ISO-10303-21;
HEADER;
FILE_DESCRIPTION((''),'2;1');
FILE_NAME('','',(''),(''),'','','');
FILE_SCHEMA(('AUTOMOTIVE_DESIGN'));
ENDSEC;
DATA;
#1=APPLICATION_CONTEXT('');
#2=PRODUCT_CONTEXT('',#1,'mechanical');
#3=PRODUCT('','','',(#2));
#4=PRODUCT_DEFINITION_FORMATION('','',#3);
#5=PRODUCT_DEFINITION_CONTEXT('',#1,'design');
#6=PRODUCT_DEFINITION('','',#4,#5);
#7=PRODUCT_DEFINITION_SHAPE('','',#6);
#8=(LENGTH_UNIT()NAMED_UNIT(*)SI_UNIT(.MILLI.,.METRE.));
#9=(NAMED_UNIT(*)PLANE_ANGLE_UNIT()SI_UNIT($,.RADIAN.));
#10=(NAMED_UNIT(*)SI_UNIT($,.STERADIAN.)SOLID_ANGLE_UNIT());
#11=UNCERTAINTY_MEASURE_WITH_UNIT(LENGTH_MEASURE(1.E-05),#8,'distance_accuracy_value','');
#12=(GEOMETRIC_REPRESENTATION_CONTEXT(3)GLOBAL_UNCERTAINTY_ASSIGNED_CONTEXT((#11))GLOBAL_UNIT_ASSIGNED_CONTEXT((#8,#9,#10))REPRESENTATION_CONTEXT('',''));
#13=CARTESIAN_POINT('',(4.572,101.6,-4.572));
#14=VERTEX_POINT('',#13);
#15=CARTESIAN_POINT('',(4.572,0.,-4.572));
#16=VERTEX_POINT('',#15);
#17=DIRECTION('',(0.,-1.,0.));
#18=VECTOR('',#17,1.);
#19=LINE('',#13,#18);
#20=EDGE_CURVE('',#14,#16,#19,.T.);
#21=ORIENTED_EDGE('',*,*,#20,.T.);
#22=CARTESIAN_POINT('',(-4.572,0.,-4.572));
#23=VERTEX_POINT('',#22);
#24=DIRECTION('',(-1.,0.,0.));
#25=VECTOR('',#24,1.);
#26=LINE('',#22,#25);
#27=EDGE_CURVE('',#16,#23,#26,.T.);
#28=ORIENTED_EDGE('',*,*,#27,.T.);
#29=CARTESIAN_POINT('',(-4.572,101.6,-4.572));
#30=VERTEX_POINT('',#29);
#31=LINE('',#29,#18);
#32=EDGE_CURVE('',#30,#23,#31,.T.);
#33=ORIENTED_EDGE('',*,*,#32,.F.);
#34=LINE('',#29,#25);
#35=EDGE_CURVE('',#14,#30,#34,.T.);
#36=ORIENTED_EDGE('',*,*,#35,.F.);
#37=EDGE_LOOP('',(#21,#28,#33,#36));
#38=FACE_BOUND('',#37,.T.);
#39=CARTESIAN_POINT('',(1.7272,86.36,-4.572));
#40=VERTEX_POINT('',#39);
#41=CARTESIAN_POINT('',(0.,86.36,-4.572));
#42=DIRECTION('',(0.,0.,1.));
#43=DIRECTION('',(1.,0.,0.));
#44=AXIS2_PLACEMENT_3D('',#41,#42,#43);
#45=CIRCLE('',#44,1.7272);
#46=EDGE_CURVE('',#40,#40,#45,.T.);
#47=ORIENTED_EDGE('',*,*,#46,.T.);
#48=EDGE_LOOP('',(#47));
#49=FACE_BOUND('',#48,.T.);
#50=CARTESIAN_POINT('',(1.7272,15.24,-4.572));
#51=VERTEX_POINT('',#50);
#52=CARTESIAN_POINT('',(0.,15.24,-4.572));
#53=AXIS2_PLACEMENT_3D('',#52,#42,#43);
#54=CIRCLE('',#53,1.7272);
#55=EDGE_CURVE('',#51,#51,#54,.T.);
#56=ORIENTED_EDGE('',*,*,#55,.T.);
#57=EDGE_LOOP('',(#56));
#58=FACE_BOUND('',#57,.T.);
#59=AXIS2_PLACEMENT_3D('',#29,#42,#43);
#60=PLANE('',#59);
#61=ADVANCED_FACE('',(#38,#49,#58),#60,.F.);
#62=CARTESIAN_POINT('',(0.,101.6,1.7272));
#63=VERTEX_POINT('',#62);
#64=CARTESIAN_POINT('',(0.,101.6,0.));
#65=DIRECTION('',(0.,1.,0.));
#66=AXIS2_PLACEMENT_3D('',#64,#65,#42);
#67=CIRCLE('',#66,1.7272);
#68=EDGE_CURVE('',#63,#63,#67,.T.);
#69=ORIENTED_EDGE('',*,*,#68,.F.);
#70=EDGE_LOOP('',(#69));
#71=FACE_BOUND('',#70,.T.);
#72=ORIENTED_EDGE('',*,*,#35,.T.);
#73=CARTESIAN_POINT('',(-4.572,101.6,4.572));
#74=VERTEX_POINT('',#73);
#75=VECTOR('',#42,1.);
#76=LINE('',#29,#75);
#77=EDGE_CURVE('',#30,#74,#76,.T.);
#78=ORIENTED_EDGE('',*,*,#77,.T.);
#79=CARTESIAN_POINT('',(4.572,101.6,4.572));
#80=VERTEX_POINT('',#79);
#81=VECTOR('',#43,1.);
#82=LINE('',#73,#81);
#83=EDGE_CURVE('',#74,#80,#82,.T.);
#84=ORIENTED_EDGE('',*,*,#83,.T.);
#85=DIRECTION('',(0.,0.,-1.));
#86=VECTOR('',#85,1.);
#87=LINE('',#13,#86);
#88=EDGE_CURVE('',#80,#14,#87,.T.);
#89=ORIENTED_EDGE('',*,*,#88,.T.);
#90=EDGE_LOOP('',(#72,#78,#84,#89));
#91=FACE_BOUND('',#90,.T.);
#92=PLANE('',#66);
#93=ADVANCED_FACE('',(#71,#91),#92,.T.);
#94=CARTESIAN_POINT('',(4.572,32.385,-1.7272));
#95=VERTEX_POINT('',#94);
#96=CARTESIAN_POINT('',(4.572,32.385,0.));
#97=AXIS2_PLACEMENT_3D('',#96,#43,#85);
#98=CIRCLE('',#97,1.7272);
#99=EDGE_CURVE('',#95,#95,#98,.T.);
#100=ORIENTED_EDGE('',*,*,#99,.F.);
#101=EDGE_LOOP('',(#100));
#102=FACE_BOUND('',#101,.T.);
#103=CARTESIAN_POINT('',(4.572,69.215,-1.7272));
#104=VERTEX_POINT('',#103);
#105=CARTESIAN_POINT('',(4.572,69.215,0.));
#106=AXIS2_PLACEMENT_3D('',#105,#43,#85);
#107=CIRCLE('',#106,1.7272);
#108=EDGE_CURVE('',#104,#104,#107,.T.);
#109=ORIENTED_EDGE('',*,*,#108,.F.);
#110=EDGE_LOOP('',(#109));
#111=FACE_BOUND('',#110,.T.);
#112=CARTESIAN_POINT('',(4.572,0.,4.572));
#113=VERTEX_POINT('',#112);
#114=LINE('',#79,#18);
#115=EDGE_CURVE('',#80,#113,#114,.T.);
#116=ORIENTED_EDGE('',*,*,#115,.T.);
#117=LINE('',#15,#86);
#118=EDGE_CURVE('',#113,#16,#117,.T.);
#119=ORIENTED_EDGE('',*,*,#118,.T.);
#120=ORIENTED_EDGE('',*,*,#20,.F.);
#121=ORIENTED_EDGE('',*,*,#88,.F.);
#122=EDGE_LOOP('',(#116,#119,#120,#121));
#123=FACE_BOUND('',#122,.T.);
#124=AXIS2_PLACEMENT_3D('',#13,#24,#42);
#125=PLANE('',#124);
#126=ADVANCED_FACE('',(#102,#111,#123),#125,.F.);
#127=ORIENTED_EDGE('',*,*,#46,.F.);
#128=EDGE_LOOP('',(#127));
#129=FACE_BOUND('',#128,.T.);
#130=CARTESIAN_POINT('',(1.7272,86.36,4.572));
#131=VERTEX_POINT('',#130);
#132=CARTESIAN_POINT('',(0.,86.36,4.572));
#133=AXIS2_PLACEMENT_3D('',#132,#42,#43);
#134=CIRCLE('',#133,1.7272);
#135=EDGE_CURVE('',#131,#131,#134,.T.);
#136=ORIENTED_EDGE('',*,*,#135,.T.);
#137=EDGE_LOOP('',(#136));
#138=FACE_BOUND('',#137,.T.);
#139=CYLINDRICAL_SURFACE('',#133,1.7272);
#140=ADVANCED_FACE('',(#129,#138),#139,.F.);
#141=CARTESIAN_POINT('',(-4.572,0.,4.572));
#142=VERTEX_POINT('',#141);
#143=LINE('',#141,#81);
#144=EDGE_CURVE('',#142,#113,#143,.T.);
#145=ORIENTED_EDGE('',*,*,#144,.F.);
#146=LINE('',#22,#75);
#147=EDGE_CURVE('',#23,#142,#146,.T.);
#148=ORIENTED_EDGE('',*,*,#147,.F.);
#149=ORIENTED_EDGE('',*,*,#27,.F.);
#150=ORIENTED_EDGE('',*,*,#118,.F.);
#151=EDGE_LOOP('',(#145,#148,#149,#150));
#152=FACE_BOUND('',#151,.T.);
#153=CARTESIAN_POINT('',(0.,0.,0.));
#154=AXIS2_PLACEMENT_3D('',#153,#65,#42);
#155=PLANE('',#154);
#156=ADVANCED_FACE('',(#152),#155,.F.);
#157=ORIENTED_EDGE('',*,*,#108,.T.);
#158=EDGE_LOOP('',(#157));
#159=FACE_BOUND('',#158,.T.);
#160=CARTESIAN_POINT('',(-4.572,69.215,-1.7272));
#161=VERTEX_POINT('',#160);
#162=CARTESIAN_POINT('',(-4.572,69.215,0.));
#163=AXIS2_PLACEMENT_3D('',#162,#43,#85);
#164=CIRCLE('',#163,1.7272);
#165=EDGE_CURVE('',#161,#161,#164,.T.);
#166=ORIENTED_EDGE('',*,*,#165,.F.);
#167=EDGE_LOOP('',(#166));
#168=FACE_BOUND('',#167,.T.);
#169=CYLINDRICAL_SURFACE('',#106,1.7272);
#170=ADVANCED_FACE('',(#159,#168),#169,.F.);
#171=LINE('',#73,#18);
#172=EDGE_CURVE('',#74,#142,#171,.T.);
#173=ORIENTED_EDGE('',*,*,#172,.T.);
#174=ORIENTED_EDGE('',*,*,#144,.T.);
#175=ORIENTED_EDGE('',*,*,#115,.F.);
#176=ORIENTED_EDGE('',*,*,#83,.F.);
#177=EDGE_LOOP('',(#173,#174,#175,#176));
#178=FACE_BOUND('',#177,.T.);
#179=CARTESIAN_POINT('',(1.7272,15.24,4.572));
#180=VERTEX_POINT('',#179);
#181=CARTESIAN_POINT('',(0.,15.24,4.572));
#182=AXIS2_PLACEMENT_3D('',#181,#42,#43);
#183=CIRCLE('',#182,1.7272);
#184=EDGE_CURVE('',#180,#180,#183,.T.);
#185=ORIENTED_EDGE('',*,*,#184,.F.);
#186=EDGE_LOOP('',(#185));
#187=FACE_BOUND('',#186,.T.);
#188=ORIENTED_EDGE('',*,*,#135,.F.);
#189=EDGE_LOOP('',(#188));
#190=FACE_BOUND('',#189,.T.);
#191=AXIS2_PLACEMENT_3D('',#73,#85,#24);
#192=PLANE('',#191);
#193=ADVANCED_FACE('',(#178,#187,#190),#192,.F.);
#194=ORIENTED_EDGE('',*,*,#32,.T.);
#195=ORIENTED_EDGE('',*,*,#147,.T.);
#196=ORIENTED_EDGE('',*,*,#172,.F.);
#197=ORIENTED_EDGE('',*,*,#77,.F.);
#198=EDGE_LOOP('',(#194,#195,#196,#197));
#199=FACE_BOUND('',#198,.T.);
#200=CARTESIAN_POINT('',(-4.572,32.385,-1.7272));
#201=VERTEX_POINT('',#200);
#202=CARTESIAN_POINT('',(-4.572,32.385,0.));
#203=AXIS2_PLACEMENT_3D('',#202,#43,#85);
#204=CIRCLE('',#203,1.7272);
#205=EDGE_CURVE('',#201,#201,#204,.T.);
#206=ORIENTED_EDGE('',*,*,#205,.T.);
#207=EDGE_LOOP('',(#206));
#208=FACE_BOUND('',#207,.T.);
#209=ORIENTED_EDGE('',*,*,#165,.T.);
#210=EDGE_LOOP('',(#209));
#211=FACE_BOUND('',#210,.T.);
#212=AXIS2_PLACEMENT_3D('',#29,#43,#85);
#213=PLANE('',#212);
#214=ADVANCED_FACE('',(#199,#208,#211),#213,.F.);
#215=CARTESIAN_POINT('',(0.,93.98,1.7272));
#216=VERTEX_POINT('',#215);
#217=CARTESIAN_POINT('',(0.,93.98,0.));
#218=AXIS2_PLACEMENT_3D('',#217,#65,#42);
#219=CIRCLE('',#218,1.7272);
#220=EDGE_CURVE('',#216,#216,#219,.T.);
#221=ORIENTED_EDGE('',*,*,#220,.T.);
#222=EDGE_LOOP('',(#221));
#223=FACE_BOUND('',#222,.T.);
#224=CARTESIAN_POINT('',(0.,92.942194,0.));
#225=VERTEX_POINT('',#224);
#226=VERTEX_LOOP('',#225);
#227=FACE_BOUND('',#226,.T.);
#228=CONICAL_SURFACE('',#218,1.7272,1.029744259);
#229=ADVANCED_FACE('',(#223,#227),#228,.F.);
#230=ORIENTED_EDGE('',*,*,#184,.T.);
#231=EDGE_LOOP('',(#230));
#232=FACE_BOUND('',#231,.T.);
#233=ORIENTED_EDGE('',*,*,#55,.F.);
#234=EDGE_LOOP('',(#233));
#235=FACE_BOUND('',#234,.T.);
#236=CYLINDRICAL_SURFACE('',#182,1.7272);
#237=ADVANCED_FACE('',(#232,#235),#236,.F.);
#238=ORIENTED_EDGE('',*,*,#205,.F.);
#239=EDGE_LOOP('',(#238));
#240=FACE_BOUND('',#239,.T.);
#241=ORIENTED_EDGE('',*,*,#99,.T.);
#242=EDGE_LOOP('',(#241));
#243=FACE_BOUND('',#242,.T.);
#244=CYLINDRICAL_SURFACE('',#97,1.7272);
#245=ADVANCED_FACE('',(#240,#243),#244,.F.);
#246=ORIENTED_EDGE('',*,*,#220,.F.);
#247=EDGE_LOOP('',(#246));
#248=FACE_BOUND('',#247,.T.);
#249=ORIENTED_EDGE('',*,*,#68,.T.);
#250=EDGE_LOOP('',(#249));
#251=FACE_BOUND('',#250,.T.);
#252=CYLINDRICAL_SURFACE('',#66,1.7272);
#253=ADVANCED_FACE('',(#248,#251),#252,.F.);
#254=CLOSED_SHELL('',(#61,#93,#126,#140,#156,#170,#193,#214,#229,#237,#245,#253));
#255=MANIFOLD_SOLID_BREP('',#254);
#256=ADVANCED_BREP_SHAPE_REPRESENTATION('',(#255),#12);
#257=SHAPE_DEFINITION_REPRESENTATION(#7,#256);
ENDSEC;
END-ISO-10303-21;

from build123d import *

# Parameters (mm, degrees)
SKETCH1_W                     = 9.144
SKETCH1_H                     = 9.144
BOSS_EXTRUDE1_DEPTH           = 101.6
TAP_DRILL_FOR_8_32_TAP1_D     = 3.4544
TAP_DRILL_FOR_8_32_TAP2_D     = 3.4544
TAP_DRILL_FOR_8_32_TAP3_D     = 3.4544
TAP_DRILL_FOR_8_32_TAP3_DEPTH = 7.62
TAP_DRILL_FOR_8_32_TAP3_TIP   = 1.037806461


with BuildPart() as part:
    # Sketch1 → Boss-Extrude1 (new body)
    with BuildSketch(Plane(origin=(0, 0, 0), x_dir=(1, 0, 0), z_dir=(0, 1, 0))):
        Rectangle(SKETCH1_W, SKETCH1_H)
    extrude(amount=BOSS_EXTRUDE1_DEPTH)

    # Tap Drill for #8-32 Tap1 (through all)
    with Locations(Plane.XY.offset(4.572)):
        with Locations((0, 86.36), (0, 15.24)):
            Hole(TAP_DRILL_FOR_8_32_TAP1_D / 2)

    # Tap Drill for #8-32 Tap2 (through all)
    with Locations(Plane(origin=(4.572, 0, 0), x_dir=(0, 0, -1), z_dir=(1, 0, 0))):
        with Locations((0, 69.215), (0, 32.385)):
            Hole(TAP_DRILL_FOR_8_32_TAP2_D / 2)

    # Tap Drill for #8-32 Tap3
    with Locations(Plane(origin=(0, 101.6, 0), x_dir=(1, 0, 0), z_dir=(0, 1, 0))):
        with Locations((0, 0)):
            Hole(TAP_DRILL_FOR_8_32_TAP3_D / 2, depth=TAP_DRILL_FOR_8_32_TAP3_DEPTH)
            with Locations((0, 0, -(TAP_DRILL_FOR_8_32_TAP3_DEPTH + TAP_DRILL_FOR_8_32_TAP3_TIP / 2))):  # 118° drill point
                Cone(0, TAP_DRILL_FOR_8_32_TAP3_D / 2, TAP_DRILL_FOR_8_32_TAP3_TIP, mode=Mode.SUBTRACT)


solid = part.part
